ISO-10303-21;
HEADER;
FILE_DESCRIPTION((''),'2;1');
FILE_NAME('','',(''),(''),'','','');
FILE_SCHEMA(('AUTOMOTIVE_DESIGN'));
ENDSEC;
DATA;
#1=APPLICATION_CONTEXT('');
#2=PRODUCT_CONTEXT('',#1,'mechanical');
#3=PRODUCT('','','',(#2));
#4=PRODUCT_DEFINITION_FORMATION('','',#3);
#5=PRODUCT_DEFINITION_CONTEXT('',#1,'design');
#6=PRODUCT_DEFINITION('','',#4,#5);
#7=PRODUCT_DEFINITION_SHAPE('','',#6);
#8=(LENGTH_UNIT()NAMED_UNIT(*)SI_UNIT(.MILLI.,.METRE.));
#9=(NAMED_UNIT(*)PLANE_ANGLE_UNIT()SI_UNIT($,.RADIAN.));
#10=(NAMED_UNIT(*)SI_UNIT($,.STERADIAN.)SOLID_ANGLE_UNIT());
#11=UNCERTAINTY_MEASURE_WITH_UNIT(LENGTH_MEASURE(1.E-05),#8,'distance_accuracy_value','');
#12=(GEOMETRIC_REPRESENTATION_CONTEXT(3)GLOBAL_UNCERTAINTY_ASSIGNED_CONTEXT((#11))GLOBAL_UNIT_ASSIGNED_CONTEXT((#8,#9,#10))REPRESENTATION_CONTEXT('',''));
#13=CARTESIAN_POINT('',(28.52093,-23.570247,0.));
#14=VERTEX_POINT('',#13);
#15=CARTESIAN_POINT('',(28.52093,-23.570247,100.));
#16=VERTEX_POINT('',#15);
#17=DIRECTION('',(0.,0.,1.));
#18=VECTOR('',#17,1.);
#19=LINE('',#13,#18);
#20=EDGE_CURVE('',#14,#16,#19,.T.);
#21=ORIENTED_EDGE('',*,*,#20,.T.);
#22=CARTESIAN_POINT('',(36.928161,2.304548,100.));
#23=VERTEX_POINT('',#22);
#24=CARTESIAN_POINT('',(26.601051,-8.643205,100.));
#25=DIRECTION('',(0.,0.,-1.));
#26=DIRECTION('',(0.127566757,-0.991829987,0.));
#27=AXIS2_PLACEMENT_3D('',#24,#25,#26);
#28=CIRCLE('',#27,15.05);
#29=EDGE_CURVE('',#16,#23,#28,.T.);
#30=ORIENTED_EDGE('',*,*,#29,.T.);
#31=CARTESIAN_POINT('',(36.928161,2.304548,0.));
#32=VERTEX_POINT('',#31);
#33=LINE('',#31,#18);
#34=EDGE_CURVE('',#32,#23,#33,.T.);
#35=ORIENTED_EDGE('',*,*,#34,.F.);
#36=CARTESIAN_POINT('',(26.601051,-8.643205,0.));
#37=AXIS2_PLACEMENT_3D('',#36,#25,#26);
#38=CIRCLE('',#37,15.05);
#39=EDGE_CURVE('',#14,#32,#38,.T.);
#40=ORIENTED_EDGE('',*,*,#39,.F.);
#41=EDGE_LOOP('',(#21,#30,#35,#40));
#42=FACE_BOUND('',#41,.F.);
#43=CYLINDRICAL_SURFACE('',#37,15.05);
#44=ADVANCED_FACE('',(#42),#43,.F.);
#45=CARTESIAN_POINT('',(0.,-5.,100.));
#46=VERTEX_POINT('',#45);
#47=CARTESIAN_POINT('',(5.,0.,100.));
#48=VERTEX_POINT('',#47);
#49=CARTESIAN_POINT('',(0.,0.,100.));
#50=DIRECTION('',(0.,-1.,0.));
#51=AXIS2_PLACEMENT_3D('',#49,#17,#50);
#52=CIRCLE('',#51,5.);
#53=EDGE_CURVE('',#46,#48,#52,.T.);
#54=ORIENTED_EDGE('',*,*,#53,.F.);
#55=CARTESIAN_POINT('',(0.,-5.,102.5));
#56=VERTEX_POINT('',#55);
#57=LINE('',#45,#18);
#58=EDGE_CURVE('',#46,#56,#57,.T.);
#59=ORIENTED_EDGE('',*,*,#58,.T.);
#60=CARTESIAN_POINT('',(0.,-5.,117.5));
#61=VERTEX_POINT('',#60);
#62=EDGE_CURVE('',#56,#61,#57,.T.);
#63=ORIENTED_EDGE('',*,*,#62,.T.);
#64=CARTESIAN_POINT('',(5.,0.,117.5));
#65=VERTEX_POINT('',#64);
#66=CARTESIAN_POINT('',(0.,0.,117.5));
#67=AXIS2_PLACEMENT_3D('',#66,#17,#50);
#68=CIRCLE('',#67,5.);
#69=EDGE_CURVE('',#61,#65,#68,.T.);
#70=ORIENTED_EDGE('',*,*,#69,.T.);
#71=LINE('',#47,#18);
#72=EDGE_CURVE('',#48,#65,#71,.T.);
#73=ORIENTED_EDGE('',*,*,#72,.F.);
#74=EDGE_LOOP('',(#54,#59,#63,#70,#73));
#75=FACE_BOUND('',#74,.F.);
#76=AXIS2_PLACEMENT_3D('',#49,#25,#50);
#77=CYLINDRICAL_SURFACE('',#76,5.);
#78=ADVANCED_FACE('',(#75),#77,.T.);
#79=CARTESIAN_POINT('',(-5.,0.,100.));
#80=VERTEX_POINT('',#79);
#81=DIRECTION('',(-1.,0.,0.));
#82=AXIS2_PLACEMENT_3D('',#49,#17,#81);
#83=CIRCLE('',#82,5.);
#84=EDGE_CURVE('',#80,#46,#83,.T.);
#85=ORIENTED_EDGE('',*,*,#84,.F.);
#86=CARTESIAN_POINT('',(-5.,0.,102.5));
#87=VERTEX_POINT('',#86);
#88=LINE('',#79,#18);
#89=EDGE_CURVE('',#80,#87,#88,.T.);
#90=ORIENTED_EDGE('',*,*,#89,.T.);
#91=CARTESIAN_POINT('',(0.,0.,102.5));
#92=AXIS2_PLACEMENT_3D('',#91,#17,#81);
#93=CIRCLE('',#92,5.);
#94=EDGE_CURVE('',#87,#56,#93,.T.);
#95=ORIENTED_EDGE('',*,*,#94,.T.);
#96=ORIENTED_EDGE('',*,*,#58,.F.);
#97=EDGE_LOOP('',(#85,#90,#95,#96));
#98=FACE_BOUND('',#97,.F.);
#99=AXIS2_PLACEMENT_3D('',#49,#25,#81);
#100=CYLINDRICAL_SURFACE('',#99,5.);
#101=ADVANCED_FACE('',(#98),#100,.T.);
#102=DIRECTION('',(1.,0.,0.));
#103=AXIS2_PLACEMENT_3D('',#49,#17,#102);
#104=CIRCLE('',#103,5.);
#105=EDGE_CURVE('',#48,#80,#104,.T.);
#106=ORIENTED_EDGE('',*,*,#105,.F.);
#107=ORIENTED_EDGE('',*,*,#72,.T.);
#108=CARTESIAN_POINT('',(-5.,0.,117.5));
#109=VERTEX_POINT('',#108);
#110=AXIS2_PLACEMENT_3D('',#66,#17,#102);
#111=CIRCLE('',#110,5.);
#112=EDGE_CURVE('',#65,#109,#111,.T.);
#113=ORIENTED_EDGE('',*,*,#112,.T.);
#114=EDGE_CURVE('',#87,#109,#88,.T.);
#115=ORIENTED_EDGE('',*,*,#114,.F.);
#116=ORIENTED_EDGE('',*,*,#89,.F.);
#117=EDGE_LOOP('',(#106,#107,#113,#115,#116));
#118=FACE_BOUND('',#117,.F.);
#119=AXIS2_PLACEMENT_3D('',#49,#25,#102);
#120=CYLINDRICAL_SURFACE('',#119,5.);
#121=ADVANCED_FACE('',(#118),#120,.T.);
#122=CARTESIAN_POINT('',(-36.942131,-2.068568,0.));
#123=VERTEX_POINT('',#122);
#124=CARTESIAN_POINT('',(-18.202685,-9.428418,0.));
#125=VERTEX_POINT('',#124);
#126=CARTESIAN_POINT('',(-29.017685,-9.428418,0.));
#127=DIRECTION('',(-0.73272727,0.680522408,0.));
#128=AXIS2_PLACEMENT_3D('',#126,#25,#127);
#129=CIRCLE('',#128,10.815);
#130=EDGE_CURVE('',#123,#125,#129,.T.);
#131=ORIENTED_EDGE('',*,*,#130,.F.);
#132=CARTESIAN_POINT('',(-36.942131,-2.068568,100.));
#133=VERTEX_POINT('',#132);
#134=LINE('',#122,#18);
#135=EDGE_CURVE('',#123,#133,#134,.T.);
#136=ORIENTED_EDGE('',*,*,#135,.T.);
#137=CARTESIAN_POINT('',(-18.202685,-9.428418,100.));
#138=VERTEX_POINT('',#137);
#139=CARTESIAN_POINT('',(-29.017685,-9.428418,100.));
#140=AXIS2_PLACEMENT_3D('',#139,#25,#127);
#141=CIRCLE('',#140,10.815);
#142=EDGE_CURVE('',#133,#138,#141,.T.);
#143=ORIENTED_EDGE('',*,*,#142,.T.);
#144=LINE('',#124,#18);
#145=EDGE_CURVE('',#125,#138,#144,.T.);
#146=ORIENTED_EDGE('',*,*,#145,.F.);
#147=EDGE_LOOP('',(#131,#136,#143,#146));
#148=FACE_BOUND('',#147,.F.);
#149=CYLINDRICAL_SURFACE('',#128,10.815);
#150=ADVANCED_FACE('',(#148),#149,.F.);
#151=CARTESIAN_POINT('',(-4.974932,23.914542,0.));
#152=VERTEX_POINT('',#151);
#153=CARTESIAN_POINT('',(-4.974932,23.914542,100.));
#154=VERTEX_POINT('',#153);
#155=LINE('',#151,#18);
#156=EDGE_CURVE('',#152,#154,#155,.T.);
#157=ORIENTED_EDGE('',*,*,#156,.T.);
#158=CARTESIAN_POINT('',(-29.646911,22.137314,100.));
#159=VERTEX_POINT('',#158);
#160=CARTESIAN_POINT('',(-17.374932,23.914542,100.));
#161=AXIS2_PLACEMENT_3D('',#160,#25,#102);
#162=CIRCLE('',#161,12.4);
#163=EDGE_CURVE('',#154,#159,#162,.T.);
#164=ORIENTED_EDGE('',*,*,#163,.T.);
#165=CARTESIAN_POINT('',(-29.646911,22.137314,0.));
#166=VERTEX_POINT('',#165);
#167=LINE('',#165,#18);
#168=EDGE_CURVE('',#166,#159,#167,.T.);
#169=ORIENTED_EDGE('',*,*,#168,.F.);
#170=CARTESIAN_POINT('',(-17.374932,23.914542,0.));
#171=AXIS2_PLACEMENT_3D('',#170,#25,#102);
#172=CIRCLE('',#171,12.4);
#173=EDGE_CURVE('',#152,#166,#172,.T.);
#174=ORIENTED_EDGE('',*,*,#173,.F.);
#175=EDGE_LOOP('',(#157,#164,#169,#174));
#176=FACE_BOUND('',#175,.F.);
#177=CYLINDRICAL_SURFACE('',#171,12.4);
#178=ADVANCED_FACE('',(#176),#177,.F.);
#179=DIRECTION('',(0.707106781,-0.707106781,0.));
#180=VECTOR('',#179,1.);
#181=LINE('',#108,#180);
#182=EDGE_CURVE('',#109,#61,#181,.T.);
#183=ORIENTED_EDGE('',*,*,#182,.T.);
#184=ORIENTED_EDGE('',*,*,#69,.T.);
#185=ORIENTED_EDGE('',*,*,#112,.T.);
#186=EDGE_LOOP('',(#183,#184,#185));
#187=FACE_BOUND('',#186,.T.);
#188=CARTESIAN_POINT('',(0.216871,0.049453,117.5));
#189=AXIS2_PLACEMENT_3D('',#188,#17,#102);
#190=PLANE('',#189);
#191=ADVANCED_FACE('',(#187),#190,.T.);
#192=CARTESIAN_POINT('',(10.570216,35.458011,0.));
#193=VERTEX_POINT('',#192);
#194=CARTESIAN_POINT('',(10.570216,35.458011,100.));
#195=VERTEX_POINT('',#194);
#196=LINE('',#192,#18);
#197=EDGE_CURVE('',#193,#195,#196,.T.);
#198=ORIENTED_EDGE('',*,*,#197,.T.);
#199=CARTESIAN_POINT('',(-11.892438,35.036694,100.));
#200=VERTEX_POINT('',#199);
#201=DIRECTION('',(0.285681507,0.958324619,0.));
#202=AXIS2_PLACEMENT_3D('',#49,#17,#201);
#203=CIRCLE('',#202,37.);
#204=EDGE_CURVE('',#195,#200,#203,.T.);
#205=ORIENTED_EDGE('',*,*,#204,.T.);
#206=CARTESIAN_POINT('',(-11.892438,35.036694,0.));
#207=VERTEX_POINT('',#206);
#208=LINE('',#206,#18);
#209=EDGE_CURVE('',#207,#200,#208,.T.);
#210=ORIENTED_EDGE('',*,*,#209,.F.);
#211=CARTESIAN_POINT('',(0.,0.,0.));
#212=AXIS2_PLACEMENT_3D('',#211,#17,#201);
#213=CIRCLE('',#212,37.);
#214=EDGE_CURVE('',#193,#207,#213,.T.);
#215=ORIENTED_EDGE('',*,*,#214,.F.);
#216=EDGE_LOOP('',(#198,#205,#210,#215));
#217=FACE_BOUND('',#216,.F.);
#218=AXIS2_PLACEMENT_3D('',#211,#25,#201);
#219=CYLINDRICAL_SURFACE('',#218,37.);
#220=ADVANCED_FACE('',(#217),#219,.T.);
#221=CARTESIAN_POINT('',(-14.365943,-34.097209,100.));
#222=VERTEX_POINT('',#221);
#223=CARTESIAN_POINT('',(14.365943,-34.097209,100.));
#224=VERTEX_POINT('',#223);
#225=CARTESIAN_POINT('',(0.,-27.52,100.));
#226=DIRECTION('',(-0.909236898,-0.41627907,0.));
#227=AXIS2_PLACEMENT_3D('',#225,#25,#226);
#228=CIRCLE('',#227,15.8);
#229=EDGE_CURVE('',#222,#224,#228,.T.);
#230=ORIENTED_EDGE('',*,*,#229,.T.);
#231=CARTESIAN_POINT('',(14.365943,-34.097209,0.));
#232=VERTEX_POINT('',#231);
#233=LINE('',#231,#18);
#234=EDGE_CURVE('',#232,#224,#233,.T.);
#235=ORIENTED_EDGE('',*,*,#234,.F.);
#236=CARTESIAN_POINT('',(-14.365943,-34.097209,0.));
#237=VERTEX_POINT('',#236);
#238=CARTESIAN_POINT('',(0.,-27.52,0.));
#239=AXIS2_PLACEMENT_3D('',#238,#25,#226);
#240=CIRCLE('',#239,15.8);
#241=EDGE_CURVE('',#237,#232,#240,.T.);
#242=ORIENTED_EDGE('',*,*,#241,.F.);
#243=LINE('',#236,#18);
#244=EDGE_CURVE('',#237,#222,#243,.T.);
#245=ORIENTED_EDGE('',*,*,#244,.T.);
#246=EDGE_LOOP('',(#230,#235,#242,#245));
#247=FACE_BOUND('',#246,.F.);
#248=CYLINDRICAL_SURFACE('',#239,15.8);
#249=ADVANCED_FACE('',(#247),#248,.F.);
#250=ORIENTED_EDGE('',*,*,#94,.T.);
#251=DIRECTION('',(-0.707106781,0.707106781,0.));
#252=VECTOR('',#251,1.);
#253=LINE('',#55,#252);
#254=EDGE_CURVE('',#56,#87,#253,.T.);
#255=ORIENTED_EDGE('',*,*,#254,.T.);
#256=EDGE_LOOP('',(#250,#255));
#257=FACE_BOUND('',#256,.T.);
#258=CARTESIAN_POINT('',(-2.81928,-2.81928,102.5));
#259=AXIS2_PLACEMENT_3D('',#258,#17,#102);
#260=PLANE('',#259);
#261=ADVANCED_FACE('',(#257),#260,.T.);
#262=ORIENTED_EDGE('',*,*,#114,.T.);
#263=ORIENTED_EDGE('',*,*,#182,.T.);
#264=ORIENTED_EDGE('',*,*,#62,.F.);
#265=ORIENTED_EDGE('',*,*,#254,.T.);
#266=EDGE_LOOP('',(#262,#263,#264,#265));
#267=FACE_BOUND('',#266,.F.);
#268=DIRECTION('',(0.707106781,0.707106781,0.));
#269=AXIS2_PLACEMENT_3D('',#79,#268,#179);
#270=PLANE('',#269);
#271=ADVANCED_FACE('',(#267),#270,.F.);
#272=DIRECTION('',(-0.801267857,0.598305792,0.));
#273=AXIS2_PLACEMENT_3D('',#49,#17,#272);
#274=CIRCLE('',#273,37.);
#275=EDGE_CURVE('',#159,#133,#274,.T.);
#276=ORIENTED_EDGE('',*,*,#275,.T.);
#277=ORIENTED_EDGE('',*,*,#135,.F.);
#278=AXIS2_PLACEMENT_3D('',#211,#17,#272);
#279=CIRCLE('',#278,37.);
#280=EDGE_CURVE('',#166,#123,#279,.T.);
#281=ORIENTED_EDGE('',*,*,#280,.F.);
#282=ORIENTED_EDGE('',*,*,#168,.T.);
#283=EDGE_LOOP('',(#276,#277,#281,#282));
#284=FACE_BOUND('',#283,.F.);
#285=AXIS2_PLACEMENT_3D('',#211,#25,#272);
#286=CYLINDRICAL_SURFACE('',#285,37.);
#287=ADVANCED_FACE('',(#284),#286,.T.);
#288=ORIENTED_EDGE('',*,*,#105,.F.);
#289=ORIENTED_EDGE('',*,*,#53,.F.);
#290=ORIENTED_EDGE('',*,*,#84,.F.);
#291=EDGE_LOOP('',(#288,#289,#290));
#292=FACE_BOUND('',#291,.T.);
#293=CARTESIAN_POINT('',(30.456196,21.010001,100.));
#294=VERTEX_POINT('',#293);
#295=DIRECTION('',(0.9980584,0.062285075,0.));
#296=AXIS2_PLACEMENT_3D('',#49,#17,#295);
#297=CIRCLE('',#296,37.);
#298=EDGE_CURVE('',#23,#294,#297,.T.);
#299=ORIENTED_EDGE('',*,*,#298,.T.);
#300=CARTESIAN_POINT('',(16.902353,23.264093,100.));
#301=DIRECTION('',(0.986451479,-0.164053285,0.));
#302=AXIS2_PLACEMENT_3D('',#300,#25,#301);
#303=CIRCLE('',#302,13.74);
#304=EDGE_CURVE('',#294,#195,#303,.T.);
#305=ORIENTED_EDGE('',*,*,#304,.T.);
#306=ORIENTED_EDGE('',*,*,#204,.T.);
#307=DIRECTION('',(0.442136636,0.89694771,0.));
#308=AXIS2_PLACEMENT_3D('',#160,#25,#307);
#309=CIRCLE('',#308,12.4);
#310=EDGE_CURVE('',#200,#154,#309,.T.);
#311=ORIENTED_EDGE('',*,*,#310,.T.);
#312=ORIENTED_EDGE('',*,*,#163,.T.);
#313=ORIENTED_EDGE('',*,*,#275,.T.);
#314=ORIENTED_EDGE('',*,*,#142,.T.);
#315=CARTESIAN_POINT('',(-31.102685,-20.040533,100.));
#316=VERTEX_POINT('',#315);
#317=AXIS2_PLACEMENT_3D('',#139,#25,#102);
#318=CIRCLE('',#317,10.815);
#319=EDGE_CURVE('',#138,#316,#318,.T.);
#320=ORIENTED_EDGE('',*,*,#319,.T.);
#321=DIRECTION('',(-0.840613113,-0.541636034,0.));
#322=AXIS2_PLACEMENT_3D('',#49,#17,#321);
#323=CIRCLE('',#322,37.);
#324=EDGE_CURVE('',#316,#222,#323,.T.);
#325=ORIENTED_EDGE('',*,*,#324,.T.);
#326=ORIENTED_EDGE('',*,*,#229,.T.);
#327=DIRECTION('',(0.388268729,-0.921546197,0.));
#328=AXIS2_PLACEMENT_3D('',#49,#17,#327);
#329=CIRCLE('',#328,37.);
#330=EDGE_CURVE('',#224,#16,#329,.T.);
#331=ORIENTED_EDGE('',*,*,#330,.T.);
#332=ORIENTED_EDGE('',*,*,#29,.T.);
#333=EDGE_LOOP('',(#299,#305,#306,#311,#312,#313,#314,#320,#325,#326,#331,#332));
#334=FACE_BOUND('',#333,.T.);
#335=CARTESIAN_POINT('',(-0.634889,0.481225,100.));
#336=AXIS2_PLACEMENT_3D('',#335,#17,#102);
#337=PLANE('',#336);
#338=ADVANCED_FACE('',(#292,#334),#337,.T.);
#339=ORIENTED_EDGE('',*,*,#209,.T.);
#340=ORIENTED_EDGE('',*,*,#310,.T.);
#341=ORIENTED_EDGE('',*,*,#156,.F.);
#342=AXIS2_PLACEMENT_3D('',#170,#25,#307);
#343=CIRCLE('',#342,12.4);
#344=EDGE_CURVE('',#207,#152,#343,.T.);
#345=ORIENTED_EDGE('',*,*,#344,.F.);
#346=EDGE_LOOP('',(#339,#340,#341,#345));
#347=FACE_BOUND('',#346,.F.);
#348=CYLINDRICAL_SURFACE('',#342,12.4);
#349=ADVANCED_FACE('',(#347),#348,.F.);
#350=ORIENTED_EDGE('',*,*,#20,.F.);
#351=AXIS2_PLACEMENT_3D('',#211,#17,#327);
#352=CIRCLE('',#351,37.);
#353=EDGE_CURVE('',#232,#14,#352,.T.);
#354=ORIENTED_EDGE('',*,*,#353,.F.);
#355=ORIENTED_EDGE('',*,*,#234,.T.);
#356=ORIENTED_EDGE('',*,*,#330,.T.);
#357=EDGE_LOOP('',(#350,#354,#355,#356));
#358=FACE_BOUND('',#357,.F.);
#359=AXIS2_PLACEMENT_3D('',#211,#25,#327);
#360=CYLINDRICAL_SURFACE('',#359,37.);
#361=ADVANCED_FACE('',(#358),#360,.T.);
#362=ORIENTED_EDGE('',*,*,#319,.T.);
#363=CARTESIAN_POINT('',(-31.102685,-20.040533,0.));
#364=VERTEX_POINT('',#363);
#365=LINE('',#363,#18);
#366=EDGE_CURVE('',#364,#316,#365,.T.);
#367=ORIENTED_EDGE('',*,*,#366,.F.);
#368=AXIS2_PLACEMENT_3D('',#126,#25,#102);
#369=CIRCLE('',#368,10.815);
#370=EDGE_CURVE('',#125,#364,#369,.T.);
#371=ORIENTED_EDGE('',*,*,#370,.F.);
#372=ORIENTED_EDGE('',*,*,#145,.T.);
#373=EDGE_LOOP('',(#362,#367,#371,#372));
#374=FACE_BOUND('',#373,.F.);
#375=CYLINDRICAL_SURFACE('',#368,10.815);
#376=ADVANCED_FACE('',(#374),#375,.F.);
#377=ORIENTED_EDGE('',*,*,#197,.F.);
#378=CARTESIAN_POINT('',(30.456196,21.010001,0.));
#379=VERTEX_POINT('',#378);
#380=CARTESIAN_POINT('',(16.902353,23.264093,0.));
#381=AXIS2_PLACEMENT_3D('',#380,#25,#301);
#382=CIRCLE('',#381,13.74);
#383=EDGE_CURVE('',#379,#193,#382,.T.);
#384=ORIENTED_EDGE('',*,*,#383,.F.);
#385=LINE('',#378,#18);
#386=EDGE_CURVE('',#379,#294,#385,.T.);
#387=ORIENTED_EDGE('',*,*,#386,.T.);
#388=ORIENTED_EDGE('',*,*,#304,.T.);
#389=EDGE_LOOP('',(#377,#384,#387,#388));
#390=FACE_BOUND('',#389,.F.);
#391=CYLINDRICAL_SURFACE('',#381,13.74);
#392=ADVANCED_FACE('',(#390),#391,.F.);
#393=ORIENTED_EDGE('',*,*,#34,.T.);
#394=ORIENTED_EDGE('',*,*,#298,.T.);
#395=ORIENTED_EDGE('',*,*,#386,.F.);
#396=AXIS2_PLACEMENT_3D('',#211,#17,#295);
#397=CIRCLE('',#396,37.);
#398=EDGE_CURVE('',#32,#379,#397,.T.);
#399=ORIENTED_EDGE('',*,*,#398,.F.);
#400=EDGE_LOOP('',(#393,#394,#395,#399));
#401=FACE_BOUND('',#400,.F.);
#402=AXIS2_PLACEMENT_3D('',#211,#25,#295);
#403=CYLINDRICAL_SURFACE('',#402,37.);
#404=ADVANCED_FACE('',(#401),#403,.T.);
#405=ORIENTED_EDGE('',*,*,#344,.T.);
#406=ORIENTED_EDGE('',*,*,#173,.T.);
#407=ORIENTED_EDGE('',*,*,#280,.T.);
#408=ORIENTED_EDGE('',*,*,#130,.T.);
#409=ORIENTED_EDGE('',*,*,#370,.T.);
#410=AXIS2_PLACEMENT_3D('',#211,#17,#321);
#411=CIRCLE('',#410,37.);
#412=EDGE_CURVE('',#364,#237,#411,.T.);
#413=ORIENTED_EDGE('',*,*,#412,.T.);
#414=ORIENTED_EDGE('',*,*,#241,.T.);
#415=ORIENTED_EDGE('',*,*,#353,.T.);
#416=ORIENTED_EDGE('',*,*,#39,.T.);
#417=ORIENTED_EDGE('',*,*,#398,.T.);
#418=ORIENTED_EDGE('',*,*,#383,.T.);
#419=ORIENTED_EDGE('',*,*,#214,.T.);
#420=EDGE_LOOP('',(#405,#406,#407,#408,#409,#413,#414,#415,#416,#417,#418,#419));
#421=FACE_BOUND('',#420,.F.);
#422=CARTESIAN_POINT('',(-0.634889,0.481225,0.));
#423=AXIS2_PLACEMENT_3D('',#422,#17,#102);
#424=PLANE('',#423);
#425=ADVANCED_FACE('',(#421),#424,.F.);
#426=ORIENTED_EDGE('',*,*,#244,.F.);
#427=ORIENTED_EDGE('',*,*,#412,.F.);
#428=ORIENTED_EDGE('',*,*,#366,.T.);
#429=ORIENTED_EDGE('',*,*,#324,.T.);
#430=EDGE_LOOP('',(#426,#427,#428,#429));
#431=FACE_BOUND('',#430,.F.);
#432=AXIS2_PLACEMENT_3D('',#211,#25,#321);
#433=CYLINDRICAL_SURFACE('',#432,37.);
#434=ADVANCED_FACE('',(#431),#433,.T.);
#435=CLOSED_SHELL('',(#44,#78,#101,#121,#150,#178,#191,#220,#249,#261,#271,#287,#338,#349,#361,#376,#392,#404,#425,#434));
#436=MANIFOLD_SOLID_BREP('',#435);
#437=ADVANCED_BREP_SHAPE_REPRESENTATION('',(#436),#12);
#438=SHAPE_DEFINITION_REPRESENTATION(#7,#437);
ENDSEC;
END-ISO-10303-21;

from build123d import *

# Parameters (mm, degrees)
F1_DEPTH = 100
F4_DEPTH = 17.5
F5_DEPTH = 2.5


with BuildPart() as f1:
    # F0 (on Top) → F1 (new body)
    with BuildSketch(Plane.XY):
        with BuildLine():
            ThreePointArc((28.5209304486, -23.5702466331), (12.2876501905, -3.9924995673), (36.9281607922, 2.3045477884))
            ThreePointArc((36.9281607922, 2.3045477884), (34.9662176525, 12.0980834464), (30.4561960313, 21.0100005546))
            ThreePointArc((30.4561960313, 21.0100005546), (8.8261833484, 12.1481991875), (10.5702157772, 35.4580109203))
            ThreePointArc((10.5702157772, 35.4580109203), (-0.6938621952, 36.9934934178), (-11.8924377724, 35.0366939626))
            ThreePointArc((-11.8924377724, 35.0366939626), (-6.8453800934, 30.4634762693), (-4.9749320578, 23.9145423537))
            ThreePointArc((-4.9749320578, 23.9145423537), (-16.4840155326, 11.5465890976), (-29.6469107264, 22.1373142992))
            ThreePointArc((-29.6469107264, 22.1373142992), (-35.4260679906, 10.6767835385), (-36.9421307963, -2.0685676756))
            ThreePointArc((-36.9421307963, -2.0685676756), (-25.064120667, 0.6380392173), (-18.2026853687, -9.4284175154))
            ThreePointArc((-18.2026853687, -9.4284175154), (-22.1469156931, -17.7804681058), (-31.1026851957, -20.0405332668))
            ThreePointArc((-31.1026851957, -20.0405332668), (-23.7959360481, -28.3329036209), (-14.3659429831, -34.0972093023))
            ThreePointArc((-14.3659429831, -34.0972093023), (-3.3658654806, -12.0826767357), (15.8, -27.52))
            ThreePointArc((15.8, -27.52), (15.4373232643, -30.8858654806), (14.3659429831, -34.0972093023))
            ThreePointArc((14.3659429831, -34.0972093023), (22.0799731419, -29.6896410563), (28.5209304486, -23.5702466331))
        make_face()
    extrude(amount=F1_DEPTH)

    # F3 (on offset) → F4 (join)
    with BuildSketch(Plane.XY.offset(100)):
        with BuildLine():
            ThreePointArc((0, -5), (3.5355339059, -3.5355339059), (5, 0))
            ThreePointArc((5, 0), (0, 5), (-5, 0))
            Line((-5, 0), (0, -5))
        make_face()
    extrude(amount=F4_DEPTH)

    # F3 (on offset) → F5 (join)
    with BuildSketch(Plane.XY.offset(100)):
        with BuildLine():
            Line((0, -5), (-5, 0))
            ThreePointArc((-5, 0), (-3.5355339059, -3.5355339059), (0, -5))
        make_face()
    extrude(amount=F5_DEPTH)


solid = f1.part
